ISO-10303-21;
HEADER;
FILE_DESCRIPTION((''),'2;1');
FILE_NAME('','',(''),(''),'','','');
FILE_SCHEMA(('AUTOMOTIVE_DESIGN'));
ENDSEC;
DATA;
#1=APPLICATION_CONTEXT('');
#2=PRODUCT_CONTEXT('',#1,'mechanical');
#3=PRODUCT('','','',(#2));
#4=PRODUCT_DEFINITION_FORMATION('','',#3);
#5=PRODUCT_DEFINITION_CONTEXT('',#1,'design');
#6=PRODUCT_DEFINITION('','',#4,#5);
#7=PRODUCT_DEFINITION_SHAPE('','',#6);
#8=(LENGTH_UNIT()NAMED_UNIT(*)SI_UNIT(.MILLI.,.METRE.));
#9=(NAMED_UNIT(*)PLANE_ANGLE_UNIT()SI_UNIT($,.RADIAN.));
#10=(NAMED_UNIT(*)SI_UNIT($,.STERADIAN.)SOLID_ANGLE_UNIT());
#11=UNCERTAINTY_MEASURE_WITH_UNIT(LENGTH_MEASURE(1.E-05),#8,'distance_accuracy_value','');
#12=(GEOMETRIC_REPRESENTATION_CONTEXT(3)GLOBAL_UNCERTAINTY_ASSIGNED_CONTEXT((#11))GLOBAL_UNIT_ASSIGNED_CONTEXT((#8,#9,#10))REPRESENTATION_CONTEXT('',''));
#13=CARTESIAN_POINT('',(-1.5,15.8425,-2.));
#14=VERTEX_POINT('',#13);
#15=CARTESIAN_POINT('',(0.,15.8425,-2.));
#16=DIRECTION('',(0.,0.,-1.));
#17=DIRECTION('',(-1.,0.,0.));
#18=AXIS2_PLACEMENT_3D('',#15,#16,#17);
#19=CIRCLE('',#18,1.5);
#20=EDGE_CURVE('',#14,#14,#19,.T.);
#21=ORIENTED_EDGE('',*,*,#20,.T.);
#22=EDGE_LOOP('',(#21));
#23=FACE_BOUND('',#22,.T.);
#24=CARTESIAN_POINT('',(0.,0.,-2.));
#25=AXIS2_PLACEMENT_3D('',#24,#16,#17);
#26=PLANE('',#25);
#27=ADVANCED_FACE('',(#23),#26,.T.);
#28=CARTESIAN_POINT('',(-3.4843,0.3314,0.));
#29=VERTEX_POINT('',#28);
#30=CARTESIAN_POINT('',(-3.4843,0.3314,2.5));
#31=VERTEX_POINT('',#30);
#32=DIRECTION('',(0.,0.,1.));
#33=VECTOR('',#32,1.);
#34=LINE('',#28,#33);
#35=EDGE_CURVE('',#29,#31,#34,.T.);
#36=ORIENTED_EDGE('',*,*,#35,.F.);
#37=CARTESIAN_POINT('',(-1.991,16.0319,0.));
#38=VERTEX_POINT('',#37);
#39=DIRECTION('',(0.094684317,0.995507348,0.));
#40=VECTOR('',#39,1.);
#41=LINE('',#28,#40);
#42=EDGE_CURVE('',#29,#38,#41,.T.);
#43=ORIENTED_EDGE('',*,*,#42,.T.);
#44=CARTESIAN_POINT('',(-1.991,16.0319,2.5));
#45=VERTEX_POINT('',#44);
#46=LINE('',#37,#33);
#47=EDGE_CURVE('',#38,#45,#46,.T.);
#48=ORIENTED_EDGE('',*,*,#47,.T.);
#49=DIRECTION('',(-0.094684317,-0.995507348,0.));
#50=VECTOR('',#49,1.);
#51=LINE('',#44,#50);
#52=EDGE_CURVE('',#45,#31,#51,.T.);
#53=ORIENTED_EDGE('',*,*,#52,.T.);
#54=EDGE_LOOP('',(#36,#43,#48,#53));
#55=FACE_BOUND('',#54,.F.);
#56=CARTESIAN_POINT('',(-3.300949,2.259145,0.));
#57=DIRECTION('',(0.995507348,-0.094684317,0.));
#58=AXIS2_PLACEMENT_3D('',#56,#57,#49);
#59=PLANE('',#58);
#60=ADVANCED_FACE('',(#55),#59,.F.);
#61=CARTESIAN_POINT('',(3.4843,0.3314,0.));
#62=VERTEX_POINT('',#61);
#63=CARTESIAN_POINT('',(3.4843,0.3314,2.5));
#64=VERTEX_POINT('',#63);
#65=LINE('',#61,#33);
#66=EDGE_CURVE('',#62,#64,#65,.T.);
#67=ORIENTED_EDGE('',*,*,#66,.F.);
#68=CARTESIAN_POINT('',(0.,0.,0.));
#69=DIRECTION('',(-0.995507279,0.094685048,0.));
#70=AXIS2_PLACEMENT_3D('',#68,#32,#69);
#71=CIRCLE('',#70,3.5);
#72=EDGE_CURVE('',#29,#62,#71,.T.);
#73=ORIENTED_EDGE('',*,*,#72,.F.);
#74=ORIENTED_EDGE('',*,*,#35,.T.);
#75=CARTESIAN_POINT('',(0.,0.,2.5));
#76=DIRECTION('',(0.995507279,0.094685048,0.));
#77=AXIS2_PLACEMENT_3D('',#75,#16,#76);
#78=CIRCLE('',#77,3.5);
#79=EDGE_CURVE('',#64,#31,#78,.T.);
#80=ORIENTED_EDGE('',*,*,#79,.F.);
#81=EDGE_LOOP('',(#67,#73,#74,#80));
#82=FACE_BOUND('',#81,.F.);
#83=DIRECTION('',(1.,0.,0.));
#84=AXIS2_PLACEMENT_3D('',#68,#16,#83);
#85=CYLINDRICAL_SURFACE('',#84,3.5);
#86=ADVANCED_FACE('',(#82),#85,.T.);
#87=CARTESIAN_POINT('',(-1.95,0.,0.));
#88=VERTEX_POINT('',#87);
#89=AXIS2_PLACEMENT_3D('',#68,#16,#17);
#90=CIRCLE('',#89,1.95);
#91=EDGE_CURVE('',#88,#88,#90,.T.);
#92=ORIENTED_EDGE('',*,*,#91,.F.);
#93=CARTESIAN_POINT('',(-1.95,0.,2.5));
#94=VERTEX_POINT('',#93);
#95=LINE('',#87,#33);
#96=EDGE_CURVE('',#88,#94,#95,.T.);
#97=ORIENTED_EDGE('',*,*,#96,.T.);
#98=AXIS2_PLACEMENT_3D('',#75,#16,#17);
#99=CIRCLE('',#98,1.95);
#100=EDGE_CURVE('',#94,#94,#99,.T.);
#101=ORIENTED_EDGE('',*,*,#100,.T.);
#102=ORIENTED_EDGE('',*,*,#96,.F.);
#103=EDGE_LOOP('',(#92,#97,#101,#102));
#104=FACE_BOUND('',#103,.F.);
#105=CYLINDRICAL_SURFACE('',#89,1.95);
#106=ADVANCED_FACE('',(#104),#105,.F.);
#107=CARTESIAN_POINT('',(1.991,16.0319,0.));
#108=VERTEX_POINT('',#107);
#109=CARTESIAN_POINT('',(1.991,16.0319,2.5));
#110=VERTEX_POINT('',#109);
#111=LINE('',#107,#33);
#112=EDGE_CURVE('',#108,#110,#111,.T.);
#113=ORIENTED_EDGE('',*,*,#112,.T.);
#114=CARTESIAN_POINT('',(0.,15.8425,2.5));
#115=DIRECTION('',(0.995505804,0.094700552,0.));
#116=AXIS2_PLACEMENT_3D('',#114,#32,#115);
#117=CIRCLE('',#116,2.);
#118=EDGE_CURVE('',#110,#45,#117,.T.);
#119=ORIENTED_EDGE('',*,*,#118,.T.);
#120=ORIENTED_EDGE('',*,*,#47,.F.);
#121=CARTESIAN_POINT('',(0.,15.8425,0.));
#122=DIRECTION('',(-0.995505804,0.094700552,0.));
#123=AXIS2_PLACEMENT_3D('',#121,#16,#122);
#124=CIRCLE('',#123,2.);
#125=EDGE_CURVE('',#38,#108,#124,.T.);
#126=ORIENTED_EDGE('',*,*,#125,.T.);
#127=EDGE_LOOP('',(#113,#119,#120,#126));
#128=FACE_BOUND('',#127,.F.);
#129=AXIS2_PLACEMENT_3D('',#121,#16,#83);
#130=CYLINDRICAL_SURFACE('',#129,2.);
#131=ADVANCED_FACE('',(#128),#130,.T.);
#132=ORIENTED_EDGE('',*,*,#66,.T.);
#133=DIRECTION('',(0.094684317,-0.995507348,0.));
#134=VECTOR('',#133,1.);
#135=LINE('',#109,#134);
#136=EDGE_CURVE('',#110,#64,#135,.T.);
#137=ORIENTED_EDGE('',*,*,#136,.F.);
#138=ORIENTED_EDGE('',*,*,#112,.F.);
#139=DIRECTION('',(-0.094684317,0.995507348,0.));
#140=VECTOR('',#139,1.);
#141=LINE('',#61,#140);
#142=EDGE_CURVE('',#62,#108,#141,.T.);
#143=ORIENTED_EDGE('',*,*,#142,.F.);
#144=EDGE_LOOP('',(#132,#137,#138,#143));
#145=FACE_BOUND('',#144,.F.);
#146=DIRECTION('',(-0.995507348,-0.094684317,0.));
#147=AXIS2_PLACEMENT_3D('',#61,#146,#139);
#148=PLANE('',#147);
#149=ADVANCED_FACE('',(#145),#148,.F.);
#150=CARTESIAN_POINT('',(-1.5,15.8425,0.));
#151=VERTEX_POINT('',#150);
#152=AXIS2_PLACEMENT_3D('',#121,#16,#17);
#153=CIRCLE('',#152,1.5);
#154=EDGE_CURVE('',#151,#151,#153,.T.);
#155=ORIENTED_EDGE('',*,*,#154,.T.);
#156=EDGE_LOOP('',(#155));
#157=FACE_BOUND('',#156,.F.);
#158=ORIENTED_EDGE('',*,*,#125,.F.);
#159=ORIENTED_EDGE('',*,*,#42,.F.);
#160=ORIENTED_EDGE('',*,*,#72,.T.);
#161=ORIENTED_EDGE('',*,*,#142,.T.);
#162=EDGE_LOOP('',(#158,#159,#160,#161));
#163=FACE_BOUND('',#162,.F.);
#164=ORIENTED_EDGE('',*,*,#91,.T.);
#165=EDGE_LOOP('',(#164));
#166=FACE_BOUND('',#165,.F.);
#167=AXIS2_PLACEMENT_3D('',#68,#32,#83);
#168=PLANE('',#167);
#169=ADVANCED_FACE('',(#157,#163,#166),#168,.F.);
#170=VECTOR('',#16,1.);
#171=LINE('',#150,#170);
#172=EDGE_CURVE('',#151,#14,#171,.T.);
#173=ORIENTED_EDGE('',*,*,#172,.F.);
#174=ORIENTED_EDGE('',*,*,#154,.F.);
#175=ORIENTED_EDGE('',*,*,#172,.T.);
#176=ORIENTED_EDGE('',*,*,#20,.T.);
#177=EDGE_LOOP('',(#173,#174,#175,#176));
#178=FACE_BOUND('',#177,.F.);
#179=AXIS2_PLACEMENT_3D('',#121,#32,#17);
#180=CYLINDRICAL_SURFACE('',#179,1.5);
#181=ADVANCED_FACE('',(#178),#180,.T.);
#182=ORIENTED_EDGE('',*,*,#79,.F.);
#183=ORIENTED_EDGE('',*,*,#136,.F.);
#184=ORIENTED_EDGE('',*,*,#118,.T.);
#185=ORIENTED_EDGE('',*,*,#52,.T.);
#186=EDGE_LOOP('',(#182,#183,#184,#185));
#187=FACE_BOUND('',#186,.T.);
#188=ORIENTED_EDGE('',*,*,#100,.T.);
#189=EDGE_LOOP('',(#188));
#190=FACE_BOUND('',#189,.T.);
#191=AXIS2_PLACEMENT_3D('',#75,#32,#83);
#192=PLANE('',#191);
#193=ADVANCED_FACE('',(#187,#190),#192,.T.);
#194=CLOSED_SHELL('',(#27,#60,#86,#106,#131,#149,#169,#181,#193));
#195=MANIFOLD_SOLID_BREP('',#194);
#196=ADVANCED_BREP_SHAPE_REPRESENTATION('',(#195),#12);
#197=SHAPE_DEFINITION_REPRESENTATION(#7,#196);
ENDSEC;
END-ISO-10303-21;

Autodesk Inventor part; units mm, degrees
ref_plane "YZ Plane" through (0, 0, 0) normal (1, 0, 0) x (0, 1, 0)
ref_plane "XZ Plane" through (0, 0, 0) normal (0, 1, 0) x (-1, 0, 0)
ref_plane "XY Plane" through (0, 0, 0) normal (0, 0, 1) x (1, 0, 0)
sketch "Эскиз1" plane through (0, 0, 0) normal (0, 0, 1) x (1, 0, 0)
  circle A0 centre (0, 0) radius 4 projected
  arc A1 (-13.2, 4.5) -> (-13.2, -4.5) centre (-13.2, 0) ccw projected
  line L0 (-13.2, -4.5) -> (1.3, -4.5) projected
  arc A2 (1.3, -4.5) -> (1.3, 4.5) centre (1.3, 0) ccw projected
  line L1 (1.3, 4.5) -> (-13.2, 4.5) projected
  circle A3 centre (0, 6.5601) radius 1.1 projected
  arc A4 (-8.1687, 23.1585) -> (8.1687, 23.1585) centre (0, 35.5) ccw projected
  arc A5 (10.1004, 20.2399) -> (8.1687, 23.1585) centre (9.1346, 21.6992) ccw projected
  arc A6 (-10.1004, 20.2399) -> (10.1004, 20.2399) centre (0, 35.5) ccw projected
  arc A7 (-8.1687, 23.1585) -> (-10.1004, 20.2399) centre (-9.1346, 21.6992) ccw projected
  line L2 (13.75, 27.1) -> (13.75, 10.8) projected
  line L3 (13.75, 27.1) -> (-13.75, 27.1) projected
  line L4 (-13.75, 27.1) -> (-13.75, 10.8) projected
  line L5 (-13.75, 10.8) -> (-0.7414, 4.9199) projected
  arc A8 (-0.7414, 4.9199) -> (0.7414, 4.9199) centre (0, 6.5601) ccw projected
  line L6 (0.7414, 4.9199) -> (13.75, 10.8) projected
  circle A9 centre (0, 0) radius 14.9209
  circle A10 centre (-9.898, 8.3054) radius 2
  circle A11 centre (0, 0) radius 1.5
  circle A12 centre (0, 0) radius 3.5
  line L7 (-86.0992, 75.6487) -> (86.0992, -4.6487) projected
  line L8 (-1.991, 16.0319) -> (-3.4843, 0.3314)
  line L9 (3.4843, 0.3314) -> (1.991, 16.0319)
  circle A13 centre (0, 6.5601) radius 1.25
  line L10 (1.25, 15.8425) -> (1.25, 6.5601)
  line L11 (-1.25, 6.5601) -> (-1.25, 15.8425)
  arc A14 (14.6884, 10.9864) -> (-14.6884, 10.9864) centre (0, 0) ccw projected
  arc A15 (14.8244, 8.1933) -> (14.6884, 10.9864) centre (12.6864, 9.489) ccw projected
  arc A16 (-14.6884, 10.9864) -> (-15.006, 8.5565) centre (-12.6864, 9.489) ccw projected
  circle A17 centre (0, 0) radius 15.8425
  circle A18 centre (0, 15.8425) radius 1.25
  circle A19 centre (0, 15.8425) radius 2
  line L12 (0, 7.2054) -> (0, 9.4054) projected
  line L13 (0, -12.9209) -> (0, 12.9209) projected
  point P0 (0, 0)
  point P1 (86.0992, -4.6487)
  point P2 (-1.25, 15.7932)
  point P3 (-1.249, 15.7932)
  point P4 (1.249, 15.7932)
  point P5 (1.25, 15.7932)
  point P6 (2.0213, 15.7131)
  point P7 (1.996, 15.7163)
  point P8 (-1.996, 15.7163)
  point P9 (-2.0213, 15.7131)
  dimension "d0" = 4
  dimension "d1" = 3
  dimension "d2" = 7
  dimension "d6" = 2.5
  dimension "d7" = 2.5
  dimension "d8" = 4
extrude "Выдавливание1" add sketch "Эскиз1" along normal blind 2.5 contours L9 A12 L13 A0 | A0 L13 L1 A2 L9 | L13 A12 L8 A0 | A0 L8 L1 L13 | A12 L13 A11 | A2 L1 L13 A8 L6 L9 | A12 L13 A11 | L1 L8 L5 A8 L13 | L6 A8 L13 A13 L10 A19 A9 L9 | A8 L5 L8 A9 A19 L11 A13 L13 | A9 A19 A17 L9 | L13 A3 L12 A13 | A13 L12 A3 L13 | A19 L10 A9 | A9 L10 A17 A19 | A17 A19 L9 | L8 A17 A19 A9 | L11 A19 L10 A13 | L13 L12 A3 | A3 L12 L13 | L10 A19 L11 A9 A18 | A9 A18 L10 | A17 L10 A18 L11 A19 A6 | A19 A17 L11 A9 | A9 L11 A19 | L8 A19 A17 | A18 A9 | A9 A18 A17 | A17 L11 A18 L10 | A6 A19 | L11 A18 A9 picked at (0.3204, 3.7943) picked at (-0.3204, 3.7943)
sketch "Эскиз2" plane through (0, 0, 0) normal (0, 0, -1) x (-1, 0, 0)
  circle A0 centre (0, 0) radius 14.9209
  arc A1 (1.991, 16.0319) -> (-1.991, 16.0319) centre (0, 12.9209) ccw projected
  circle A2 centre (0, 0) radius 1.95
  arc A3 (-3.4843, 0.3314) -> (3.4843, 0.3314) centre (0, 0) ccw projected
  line L0 (1.991, 16.0319) -> (3.4843, 0.3314) projected
  arc A4 (1.991, 16.0319) -> (-1.991, 16.0319) centre (0, 15.8425) ccw projected
  line L1 (-3.4843, 0.3314) -> (-1.991, 16.0319) projected
  point P0 (0, 0)
  dimension "d9" = 3.9
extrude "Выдавливание2" cut sketch "Эскиз2" against normal blind 3 contours A2
sketch "Эскиз3" plane through (0, 0, 0) normal (0, 0, -1) x (-1, 0, 0)
  circle A0 centre (0, 0) radius 1.95 projected
  arc A1 (-3.4843, 0.3314) -> (3.4843, 0.3314) centre (0, 0) ccw projected
  line L0 (1.991, 16.0319) -> (3.4843, 0.3314) projected
  arc A2 (1.991, 16.0319) -> (-1.991, 16.0319) centre (0, 15.8425) ccw projected
  line L1 (-3.4843, 0.3314) -> (-1.991, 16.0319) projected
  circle A3 centre (0, 15.8425) radius 1.5
  point P0 (0, 0)
  dimension "d12" = 3
extrude "Выдавливание3" add sketch "Эскиз3" along normal blind 2 contours A3
properties part number "shatun_lidar"
